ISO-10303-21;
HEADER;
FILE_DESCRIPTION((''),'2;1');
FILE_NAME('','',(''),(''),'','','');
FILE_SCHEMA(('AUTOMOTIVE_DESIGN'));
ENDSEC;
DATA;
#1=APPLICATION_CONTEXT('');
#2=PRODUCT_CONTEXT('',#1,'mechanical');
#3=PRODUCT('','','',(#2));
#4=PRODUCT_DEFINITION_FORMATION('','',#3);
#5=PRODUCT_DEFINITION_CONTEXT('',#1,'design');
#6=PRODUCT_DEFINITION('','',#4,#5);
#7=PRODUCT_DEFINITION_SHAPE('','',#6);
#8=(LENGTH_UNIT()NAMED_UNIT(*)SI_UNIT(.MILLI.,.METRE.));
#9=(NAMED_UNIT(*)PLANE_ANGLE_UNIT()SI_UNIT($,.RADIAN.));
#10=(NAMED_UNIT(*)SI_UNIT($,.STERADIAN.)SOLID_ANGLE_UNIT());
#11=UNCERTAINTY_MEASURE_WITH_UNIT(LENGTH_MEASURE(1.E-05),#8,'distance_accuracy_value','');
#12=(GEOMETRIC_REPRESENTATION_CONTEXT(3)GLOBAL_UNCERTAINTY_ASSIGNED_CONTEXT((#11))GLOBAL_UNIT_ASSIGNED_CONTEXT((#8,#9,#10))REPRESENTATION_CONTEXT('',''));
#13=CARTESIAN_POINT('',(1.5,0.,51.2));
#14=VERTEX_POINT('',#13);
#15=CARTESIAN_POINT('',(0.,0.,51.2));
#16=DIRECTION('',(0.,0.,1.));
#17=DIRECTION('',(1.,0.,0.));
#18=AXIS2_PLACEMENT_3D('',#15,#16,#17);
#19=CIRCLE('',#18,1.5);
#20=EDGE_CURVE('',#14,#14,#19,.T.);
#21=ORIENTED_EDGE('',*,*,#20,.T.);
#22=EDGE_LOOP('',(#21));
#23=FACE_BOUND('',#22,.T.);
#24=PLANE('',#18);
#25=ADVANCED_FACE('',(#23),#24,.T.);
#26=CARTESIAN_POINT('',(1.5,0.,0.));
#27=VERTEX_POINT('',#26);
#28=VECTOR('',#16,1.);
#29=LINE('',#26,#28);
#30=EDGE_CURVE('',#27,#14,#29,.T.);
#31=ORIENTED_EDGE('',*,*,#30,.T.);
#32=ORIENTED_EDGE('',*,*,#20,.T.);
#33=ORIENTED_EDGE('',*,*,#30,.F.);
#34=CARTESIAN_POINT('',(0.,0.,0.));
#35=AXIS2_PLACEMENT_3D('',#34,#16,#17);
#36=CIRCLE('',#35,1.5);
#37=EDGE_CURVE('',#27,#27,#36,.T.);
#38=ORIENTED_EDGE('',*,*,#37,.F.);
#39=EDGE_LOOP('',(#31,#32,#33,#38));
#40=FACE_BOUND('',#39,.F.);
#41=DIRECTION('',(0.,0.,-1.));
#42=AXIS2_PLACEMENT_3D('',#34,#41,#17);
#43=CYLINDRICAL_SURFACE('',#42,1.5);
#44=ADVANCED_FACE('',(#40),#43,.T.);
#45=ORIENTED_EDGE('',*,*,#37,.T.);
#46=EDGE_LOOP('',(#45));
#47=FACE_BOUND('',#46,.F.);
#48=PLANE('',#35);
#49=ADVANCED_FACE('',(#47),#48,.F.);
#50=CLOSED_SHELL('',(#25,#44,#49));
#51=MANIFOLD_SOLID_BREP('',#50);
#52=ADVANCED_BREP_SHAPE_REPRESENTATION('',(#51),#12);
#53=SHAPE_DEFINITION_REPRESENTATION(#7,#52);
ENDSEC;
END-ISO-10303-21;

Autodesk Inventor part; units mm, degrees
ref_plane "YZ Plane" through (0, 0, 0) normal (1, 0, 0) x (0, 1, 0)
ref_plane "XZ Plane" through (0, 0, 0) normal (0, 1, 0) x (-1, 0, 0)
ref_plane "XY Plane" through (0, 0, 0) normal (0, 0, 1) x (1, 0, 0)
sketch "スケッチ1" plane through (0, 0, 0) normal (0, 0, 1) x (1, 0, 0)
  circle A0 centre (0, 0) radius 1.5
  dimension "d0" = 3
extrude "押し出し1" add sketch "スケッチ1" along normal blind 51.2
properties part number "Shaft" material "ステンレス鋼 AISI 440C、溶接"
